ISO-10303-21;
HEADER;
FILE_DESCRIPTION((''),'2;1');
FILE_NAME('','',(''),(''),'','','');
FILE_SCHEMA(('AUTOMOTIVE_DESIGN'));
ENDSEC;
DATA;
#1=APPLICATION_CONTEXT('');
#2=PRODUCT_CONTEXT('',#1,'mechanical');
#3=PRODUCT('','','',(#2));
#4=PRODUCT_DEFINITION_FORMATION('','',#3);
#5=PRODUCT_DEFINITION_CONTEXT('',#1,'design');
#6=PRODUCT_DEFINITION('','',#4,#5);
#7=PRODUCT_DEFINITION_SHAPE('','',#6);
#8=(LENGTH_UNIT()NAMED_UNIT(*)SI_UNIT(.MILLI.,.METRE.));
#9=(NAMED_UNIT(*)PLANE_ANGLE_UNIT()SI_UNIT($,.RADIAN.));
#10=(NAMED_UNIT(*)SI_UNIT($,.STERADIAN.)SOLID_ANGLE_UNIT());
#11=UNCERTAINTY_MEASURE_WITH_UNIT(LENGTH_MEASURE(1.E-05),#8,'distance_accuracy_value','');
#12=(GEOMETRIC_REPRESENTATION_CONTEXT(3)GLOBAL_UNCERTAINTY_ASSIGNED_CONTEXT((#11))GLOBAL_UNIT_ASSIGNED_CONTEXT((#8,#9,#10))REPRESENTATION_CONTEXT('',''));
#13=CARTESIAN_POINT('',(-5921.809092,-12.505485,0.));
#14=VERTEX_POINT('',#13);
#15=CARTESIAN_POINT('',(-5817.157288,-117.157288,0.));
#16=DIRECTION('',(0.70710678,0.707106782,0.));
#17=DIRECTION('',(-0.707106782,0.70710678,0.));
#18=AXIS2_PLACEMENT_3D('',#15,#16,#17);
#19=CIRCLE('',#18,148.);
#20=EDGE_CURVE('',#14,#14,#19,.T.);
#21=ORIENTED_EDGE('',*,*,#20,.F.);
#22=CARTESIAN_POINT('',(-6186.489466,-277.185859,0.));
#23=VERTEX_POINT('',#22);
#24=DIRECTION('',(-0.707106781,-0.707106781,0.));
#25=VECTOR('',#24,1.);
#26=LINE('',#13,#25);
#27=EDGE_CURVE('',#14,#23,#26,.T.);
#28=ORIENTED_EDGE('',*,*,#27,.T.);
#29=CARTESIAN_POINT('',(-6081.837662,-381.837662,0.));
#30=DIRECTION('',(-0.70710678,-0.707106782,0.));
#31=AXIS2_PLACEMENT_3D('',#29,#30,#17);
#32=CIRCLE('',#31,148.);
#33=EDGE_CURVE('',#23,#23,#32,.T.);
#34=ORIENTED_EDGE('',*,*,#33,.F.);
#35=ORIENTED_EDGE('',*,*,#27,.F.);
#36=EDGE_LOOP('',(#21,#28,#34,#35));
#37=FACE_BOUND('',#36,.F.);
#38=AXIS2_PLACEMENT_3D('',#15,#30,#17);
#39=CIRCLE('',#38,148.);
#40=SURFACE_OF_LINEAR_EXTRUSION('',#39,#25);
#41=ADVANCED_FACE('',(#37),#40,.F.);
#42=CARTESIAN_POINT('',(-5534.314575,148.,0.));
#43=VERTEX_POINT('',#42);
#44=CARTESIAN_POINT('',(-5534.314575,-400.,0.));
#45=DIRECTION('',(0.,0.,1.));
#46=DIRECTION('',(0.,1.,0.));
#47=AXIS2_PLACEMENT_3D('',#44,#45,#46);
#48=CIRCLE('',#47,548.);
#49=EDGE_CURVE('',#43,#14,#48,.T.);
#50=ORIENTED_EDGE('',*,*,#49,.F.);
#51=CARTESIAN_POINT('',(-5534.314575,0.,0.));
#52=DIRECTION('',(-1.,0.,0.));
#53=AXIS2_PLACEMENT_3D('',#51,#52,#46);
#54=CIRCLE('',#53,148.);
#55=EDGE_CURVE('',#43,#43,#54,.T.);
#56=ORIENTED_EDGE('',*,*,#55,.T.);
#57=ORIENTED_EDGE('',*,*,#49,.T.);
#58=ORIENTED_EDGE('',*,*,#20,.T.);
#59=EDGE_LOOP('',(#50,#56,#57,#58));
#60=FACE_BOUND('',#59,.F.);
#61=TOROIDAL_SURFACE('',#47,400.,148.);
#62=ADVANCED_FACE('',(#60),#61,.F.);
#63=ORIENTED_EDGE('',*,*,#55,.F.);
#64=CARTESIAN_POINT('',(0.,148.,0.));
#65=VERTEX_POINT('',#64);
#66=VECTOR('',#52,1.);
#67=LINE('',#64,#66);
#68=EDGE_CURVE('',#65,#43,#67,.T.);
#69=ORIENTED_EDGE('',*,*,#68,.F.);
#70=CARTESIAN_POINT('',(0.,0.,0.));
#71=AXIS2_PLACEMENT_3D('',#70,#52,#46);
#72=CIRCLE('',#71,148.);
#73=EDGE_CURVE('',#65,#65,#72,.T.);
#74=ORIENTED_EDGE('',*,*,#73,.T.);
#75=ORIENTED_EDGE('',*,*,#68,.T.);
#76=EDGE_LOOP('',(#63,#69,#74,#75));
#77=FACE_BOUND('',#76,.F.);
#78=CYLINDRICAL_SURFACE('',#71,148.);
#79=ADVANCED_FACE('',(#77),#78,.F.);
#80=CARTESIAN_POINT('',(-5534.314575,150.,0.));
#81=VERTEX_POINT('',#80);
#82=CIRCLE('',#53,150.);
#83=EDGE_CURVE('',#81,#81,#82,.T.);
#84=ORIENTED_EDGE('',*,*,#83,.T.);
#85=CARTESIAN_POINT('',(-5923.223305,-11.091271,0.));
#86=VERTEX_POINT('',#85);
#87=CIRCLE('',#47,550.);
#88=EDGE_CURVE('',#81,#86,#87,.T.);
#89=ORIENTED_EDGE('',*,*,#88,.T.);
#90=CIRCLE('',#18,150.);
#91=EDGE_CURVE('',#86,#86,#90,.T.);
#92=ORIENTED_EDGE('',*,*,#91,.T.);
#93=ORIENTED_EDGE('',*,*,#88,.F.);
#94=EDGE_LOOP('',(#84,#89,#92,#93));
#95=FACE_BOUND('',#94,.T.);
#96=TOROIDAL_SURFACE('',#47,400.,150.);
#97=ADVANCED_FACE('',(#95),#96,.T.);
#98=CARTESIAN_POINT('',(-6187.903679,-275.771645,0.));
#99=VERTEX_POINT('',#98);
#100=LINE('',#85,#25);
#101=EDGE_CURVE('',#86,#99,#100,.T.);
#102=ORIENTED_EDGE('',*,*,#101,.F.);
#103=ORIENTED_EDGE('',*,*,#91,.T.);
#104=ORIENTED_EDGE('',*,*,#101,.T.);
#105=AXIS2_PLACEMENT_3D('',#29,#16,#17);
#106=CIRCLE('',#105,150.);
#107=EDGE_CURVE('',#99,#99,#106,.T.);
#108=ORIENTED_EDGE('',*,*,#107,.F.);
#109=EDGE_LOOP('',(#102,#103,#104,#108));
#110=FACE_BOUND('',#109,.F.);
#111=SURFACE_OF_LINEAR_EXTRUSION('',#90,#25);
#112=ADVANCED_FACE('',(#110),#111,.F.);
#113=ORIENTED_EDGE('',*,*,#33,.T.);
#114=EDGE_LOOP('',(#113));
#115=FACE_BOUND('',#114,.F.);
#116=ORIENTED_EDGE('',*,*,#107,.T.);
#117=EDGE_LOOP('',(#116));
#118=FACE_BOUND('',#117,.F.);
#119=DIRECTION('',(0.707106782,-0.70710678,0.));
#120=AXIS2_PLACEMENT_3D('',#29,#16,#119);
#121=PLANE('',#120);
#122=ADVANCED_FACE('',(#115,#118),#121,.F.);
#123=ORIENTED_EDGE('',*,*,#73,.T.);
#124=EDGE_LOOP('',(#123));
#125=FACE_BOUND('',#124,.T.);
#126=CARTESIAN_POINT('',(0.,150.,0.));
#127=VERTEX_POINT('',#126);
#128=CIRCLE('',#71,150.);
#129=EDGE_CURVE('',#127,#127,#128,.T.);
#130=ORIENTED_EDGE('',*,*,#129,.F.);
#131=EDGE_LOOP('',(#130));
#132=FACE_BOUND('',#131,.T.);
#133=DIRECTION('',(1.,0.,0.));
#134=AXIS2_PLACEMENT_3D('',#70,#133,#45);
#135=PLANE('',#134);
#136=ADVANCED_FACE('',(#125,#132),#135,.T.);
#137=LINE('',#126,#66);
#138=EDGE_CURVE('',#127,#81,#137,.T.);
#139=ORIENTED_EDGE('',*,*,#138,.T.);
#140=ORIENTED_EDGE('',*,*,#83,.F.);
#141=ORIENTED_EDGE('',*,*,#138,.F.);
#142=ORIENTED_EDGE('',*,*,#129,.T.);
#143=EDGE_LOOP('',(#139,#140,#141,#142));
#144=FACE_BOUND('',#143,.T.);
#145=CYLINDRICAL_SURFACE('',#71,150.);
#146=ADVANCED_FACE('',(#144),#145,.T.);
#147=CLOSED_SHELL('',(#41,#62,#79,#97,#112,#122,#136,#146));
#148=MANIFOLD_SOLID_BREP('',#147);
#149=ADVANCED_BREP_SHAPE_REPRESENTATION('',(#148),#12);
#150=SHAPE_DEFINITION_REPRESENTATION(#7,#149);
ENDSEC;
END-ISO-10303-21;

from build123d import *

# Parameters (mm, degrees)
F0_R   = 150
F0_R_2 = 148


with BuildPart() as f2:
    # F2: sweep along a path in F1
    with BuildLine(Plane.XY) as f2_path:
        Line((0, 0), (-5534.314575, 0))
        ThreePointArc((-5534.314575, 0), (-5687.387948, -30.448187), (-5817.157288, -117.157288))
        Line((-5817.157288, -117.157288), (-6081.837662, -381.837662))
    # F0 (on Right) → F2 (sweep)
    with BuildSketch(Plane.YZ):
        Circle(F0_R)
        Circle(F0_R_2, mode=Mode.SUBTRACT)
    sweep(path=f2_path.line)


solid = f2.part
